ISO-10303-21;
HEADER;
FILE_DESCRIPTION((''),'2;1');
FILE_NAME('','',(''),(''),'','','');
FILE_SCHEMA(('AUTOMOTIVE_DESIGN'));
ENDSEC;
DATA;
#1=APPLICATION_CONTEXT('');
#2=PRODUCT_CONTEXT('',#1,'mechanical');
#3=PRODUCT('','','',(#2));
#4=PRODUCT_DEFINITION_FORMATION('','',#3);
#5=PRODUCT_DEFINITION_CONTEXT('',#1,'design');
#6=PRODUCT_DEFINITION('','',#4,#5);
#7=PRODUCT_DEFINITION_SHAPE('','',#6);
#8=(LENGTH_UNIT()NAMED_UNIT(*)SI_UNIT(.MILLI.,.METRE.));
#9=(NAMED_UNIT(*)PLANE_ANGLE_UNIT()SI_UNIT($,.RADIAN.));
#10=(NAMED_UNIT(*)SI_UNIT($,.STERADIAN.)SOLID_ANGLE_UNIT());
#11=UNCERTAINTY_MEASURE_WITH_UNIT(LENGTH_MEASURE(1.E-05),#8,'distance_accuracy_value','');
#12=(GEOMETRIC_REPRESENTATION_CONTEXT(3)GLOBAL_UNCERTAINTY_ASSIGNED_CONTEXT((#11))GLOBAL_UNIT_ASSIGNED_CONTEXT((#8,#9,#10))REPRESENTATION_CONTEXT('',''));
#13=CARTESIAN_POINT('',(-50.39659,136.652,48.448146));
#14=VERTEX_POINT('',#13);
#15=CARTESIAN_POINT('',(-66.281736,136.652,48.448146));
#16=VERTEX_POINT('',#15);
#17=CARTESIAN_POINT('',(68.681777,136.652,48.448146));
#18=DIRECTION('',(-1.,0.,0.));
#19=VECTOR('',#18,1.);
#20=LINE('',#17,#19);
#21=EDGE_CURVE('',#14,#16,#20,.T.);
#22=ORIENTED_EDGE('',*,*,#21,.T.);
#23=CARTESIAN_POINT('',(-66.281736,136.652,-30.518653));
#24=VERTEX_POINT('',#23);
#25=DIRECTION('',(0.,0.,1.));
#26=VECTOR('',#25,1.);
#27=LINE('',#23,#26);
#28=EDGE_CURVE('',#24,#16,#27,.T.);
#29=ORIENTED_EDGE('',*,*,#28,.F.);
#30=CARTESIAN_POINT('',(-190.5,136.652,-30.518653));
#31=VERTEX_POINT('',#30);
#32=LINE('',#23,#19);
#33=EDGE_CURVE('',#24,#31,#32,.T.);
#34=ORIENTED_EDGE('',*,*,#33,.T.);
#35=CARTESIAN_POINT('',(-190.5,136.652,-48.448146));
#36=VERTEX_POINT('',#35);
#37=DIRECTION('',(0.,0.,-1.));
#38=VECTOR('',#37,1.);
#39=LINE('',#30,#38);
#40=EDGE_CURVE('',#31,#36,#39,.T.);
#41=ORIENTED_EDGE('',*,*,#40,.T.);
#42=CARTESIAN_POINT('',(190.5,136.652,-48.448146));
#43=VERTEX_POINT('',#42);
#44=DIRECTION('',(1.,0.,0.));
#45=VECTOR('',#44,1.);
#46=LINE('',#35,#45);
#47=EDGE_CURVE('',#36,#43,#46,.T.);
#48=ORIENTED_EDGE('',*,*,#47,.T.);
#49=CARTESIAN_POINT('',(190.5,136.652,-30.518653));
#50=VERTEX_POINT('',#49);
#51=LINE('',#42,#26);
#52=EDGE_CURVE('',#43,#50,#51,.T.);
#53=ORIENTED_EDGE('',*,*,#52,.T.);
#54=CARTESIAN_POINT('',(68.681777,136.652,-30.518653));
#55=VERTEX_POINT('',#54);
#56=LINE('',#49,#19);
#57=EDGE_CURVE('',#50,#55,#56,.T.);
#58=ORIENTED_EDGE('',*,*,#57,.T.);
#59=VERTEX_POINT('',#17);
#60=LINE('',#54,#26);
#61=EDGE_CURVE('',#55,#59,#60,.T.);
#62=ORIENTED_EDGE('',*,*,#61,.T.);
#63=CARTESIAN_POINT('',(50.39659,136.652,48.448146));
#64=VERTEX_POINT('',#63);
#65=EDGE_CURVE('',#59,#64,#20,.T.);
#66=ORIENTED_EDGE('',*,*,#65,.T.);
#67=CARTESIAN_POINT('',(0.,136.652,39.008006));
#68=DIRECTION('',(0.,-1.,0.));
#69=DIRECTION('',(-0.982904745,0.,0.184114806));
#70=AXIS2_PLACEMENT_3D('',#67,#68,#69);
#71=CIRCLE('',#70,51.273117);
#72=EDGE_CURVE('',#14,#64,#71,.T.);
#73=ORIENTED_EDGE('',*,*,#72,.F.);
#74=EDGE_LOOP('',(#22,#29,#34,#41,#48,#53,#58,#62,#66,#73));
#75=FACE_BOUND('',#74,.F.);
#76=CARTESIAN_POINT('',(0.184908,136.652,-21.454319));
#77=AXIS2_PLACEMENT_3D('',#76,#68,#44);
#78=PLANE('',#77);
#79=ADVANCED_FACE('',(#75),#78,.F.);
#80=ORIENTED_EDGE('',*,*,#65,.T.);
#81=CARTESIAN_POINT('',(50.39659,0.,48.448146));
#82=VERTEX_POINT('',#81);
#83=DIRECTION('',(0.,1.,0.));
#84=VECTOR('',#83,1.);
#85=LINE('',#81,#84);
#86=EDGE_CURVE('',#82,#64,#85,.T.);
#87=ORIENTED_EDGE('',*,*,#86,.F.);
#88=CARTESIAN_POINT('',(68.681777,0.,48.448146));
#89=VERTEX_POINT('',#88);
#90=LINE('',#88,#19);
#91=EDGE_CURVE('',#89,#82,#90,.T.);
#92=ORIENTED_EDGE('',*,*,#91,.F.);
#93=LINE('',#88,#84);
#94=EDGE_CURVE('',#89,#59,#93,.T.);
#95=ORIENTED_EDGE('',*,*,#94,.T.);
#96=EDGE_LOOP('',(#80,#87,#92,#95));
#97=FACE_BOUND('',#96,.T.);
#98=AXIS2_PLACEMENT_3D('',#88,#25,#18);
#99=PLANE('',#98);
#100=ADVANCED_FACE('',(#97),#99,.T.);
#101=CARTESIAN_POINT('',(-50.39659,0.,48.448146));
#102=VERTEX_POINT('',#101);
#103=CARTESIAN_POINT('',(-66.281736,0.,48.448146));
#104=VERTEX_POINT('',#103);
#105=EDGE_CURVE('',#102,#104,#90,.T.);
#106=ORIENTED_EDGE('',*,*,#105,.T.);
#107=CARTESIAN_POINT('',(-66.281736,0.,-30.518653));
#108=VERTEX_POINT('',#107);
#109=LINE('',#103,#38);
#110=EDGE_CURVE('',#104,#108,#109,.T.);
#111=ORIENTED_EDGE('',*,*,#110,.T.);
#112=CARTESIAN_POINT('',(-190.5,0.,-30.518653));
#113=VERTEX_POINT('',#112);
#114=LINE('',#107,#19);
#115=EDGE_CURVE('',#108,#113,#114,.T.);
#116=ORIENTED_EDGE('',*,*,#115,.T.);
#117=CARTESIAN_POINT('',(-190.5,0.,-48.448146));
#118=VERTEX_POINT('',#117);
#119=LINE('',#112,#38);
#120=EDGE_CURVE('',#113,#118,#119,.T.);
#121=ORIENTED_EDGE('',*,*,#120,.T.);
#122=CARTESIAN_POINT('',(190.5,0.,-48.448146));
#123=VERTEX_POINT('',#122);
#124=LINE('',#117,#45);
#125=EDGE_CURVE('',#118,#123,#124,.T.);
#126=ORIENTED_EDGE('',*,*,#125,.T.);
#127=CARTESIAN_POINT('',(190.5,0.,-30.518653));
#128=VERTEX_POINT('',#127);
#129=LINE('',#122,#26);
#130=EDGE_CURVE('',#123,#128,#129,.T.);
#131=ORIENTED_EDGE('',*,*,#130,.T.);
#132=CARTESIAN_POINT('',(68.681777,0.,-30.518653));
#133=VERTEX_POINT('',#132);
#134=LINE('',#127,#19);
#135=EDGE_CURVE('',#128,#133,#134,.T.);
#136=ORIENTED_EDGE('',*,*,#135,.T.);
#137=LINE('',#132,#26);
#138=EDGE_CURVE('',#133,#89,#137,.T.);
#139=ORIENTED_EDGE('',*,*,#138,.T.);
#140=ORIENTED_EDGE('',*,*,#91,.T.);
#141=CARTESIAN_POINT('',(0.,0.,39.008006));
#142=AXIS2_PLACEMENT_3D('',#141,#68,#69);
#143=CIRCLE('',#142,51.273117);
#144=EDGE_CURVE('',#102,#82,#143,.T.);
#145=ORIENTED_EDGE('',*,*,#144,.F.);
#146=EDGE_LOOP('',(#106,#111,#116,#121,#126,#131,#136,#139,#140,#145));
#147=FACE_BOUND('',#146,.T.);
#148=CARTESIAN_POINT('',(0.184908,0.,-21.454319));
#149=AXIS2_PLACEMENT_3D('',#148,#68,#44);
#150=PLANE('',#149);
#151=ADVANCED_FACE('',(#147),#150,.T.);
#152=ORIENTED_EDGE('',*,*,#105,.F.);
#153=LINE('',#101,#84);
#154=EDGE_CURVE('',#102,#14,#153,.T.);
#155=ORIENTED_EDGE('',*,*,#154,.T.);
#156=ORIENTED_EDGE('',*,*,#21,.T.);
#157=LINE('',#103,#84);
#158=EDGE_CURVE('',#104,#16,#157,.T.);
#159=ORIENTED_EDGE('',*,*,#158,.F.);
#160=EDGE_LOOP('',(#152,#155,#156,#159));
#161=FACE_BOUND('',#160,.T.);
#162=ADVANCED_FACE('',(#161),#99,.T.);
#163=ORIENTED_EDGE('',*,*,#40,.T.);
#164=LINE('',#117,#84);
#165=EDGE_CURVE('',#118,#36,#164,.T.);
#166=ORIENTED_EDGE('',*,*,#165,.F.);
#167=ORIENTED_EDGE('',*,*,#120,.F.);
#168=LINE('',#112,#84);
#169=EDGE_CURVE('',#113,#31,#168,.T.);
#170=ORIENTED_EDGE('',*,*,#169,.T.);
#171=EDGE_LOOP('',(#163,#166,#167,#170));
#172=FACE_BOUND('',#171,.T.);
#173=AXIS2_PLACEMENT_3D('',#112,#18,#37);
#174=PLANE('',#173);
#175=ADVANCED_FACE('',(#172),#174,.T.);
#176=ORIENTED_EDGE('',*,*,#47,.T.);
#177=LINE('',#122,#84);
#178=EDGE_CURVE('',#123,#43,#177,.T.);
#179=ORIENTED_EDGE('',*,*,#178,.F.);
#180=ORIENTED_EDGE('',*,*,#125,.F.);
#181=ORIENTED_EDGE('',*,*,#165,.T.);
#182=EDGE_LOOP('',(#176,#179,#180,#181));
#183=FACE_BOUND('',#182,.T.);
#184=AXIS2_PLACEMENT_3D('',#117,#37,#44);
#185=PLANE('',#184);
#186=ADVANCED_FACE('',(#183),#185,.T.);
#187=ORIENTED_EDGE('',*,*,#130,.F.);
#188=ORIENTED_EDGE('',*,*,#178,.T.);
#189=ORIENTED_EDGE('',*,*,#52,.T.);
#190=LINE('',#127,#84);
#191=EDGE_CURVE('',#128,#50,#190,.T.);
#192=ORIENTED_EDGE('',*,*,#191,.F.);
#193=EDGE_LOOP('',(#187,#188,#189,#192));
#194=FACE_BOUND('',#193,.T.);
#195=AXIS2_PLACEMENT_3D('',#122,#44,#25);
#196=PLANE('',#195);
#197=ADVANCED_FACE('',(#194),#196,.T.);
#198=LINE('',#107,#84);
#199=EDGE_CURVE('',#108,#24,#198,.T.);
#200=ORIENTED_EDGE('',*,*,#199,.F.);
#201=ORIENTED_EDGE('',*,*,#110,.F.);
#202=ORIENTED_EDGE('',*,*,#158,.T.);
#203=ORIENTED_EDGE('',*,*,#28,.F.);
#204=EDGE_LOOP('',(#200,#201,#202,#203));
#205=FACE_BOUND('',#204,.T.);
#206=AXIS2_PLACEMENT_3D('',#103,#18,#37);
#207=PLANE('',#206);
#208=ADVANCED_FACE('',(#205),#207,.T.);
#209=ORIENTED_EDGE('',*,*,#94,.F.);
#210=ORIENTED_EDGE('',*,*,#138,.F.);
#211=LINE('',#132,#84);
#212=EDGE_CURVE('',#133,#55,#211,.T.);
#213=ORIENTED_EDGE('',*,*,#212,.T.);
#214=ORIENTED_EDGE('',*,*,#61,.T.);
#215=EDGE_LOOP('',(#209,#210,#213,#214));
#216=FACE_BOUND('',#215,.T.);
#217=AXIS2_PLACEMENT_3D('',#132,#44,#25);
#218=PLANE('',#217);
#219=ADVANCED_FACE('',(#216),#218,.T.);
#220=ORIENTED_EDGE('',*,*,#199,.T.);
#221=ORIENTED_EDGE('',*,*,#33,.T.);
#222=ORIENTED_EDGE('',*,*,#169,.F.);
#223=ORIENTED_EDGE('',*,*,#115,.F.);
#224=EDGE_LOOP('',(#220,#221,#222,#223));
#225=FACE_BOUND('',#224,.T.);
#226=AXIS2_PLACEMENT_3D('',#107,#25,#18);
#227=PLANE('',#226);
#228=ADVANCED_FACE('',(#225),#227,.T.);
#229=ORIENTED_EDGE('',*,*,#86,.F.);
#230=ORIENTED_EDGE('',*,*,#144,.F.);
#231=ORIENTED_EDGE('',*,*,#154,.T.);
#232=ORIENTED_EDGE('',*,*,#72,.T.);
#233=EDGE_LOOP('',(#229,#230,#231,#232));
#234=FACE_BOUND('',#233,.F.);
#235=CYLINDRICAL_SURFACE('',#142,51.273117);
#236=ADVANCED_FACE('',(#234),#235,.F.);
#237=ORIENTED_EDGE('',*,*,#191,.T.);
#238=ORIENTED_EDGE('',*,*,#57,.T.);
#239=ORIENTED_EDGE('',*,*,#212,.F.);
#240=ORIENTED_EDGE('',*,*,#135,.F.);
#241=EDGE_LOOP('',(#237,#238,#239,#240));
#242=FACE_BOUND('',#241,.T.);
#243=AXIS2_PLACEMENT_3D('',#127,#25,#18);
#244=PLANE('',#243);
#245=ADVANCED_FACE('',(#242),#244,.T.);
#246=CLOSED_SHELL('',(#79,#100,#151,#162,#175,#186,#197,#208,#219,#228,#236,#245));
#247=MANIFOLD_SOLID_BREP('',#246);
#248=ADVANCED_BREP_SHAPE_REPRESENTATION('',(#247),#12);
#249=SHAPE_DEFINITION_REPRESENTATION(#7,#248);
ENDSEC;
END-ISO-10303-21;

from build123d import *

# Parameters (mm, degrees)
F1_DEPTH = 136.652
F2_DEPTH = 136.653
F0_W     = 124.218264
F0_H     = 78.966799
F0_W_2   = 121.818223
F3_DEPTH = 136.653


with BuildPart() as f1:
    # F0 (on Front) → F1 (new body)
    with BuildSketch(Plane.XZ):
        with BuildLine():
            Line((68.681777, -30.518653), (68.681777, 48.448146))
            Line((68.681777, 48.448146), (50.39659, 48.448146))
            ThreePointArc((50.39659, 48.448146), (0, -12.265111), (-50.39659, 48.448146))
            Line((-50.39659, 48.448146), (-66.281736, 48.448146))
            Line((-66.281736, 48.448146), (-66.281736, -30.518653))
            Line((-66.281736, -30.518653), (-190.5, -30.518653))
            Line((-190.5, -30.518653), (-190.5, -48.448146))
            Line((-190.5, -48.448146), (190.5, -48.448146))
            Line((190.5, -48.448146), (190.5, -30.518653))
            Line((190.5, -30.518653), (68.681777, -30.518653))
        make_face()
        with BuildLine():
            ThreePointArc((-50.39659, 48.448146), (0, -12.265111), (50.39659, 48.448146))
            Line((50.39659, 48.448146), (-50.39659, 48.448146))
        make_face()
    extrude(amount=-F1_DEPTH)

    # F0 (on Front) → F2 (cut, through all)
    with BuildSketch(Plane.XZ):
        with BuildLine():
            ThreePointArc((-50.39659, 48.448146), (0, -12.265111), (50.39659, 48.448146))
            Line((50.39659, 48.448146), (-50.39659, 48.448146))
        make_face()
    extrude(amount=-F2_DEPTH, mode=Mode.SUBTRACT)

    # F0 (on Front) → F3 (cut, through all)
    with BuildSketch(Plane.XZ):
        with Locations((-128.390868, 8.964747)):
            Rectangle(F0_W, F0_H)
        with Locations((129.590889, 8.964747)):
            Rectangle(F0_W_2, F0_H)
    extrude(amount=-F3_DEPTH, mode=Mode.SUBTRACT)


solid = f1.part
